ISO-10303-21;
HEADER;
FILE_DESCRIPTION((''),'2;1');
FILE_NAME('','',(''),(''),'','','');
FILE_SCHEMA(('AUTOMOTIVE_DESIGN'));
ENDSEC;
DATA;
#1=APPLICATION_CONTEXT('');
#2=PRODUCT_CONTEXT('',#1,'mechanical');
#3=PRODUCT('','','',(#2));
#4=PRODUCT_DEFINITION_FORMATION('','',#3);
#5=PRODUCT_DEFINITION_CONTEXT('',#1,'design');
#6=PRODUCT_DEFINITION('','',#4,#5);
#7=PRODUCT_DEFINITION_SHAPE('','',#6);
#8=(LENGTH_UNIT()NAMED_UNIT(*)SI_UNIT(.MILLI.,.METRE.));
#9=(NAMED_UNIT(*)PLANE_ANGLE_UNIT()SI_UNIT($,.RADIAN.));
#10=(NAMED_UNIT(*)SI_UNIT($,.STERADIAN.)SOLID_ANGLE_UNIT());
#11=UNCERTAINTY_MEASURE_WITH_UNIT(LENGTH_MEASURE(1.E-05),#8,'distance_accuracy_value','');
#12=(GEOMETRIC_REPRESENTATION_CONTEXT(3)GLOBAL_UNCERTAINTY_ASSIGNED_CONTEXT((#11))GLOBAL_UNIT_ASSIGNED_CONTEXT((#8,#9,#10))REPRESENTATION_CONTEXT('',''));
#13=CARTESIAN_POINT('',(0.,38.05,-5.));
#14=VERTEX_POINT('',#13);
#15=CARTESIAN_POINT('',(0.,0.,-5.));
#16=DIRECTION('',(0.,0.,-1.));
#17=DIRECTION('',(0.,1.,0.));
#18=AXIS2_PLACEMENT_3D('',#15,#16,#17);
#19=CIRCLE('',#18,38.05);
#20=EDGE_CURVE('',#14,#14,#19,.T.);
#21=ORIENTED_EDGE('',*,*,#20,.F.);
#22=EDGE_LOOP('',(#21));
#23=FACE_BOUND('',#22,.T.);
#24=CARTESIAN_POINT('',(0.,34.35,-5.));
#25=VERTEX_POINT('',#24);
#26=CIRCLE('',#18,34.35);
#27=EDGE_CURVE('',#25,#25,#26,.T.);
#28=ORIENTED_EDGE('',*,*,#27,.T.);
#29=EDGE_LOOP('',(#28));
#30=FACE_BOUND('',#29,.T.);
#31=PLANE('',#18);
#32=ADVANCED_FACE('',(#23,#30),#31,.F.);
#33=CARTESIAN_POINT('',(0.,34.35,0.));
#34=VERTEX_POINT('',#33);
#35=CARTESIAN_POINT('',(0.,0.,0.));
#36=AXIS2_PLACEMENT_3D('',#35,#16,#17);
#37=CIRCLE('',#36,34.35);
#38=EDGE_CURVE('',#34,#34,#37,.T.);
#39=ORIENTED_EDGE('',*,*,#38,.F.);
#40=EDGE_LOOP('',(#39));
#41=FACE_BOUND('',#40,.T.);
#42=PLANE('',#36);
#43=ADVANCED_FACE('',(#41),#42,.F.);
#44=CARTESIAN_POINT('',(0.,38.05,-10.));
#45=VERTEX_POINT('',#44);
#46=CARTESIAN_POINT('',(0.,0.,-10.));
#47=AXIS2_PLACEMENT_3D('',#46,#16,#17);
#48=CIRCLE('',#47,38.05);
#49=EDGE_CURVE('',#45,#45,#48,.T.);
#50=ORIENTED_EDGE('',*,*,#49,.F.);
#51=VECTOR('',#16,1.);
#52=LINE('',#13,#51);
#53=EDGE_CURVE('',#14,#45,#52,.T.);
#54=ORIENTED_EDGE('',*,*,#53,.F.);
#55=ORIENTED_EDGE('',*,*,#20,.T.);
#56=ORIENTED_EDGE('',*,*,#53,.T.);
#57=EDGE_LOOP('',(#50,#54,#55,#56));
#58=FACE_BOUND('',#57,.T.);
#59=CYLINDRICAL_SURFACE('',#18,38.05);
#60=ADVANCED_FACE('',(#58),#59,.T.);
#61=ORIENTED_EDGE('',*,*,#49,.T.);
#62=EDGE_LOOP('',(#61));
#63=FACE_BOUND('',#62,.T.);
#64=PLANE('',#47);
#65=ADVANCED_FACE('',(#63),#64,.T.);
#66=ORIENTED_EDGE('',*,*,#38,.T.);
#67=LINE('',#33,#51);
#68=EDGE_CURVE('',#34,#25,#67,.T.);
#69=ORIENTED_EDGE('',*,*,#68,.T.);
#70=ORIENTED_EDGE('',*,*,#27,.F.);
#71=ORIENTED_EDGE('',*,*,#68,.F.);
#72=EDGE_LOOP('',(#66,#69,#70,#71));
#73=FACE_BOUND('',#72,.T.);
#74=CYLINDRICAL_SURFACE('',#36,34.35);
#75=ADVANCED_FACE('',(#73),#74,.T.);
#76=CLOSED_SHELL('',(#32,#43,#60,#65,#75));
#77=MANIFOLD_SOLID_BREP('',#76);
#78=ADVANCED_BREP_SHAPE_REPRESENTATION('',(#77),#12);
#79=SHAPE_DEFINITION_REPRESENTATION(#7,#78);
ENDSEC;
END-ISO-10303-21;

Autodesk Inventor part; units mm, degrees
ref_plane "YZ Plane" through (0, 0, 0) normal (1, 0, 0) x (0, 1, 0)
ref_plane "XZ Plane" through (0, 0, 0) normal (0, 1, 0) x (-1, 0, 0)
ref_plane "XY Plane" through (0, 0, 0) normal (0, 0, 1) x (1, 0, 0)
sketch "Skizze1" plane through (0, 0, 0) normal (1, 0, 0) x (0, 1, 0)
  line L0 (34.35, 0) -> (34.35, -5)
  line L1 (34.35, -5) -> (38.05, -5)
  line L2 (38.05, -5) -> (38.05, -10)
  line L3 (38.05, -10) -> (0, -10)
  line L4 (0, 0) -> (34.35, 0)
  line L5 (0, 0) -> (0, -10)
  dimension "d1" = 68.7
  dimension "d2" = 76.1
  dimension "d3" = 10
  dimension "d4" = 5
revolve "Umdrehung1" add sketch "Skizze1" angle 360 about axis through (0, 0, 0) along (0, 0, -1)
properties part number "Deckel" material "Stahl"
